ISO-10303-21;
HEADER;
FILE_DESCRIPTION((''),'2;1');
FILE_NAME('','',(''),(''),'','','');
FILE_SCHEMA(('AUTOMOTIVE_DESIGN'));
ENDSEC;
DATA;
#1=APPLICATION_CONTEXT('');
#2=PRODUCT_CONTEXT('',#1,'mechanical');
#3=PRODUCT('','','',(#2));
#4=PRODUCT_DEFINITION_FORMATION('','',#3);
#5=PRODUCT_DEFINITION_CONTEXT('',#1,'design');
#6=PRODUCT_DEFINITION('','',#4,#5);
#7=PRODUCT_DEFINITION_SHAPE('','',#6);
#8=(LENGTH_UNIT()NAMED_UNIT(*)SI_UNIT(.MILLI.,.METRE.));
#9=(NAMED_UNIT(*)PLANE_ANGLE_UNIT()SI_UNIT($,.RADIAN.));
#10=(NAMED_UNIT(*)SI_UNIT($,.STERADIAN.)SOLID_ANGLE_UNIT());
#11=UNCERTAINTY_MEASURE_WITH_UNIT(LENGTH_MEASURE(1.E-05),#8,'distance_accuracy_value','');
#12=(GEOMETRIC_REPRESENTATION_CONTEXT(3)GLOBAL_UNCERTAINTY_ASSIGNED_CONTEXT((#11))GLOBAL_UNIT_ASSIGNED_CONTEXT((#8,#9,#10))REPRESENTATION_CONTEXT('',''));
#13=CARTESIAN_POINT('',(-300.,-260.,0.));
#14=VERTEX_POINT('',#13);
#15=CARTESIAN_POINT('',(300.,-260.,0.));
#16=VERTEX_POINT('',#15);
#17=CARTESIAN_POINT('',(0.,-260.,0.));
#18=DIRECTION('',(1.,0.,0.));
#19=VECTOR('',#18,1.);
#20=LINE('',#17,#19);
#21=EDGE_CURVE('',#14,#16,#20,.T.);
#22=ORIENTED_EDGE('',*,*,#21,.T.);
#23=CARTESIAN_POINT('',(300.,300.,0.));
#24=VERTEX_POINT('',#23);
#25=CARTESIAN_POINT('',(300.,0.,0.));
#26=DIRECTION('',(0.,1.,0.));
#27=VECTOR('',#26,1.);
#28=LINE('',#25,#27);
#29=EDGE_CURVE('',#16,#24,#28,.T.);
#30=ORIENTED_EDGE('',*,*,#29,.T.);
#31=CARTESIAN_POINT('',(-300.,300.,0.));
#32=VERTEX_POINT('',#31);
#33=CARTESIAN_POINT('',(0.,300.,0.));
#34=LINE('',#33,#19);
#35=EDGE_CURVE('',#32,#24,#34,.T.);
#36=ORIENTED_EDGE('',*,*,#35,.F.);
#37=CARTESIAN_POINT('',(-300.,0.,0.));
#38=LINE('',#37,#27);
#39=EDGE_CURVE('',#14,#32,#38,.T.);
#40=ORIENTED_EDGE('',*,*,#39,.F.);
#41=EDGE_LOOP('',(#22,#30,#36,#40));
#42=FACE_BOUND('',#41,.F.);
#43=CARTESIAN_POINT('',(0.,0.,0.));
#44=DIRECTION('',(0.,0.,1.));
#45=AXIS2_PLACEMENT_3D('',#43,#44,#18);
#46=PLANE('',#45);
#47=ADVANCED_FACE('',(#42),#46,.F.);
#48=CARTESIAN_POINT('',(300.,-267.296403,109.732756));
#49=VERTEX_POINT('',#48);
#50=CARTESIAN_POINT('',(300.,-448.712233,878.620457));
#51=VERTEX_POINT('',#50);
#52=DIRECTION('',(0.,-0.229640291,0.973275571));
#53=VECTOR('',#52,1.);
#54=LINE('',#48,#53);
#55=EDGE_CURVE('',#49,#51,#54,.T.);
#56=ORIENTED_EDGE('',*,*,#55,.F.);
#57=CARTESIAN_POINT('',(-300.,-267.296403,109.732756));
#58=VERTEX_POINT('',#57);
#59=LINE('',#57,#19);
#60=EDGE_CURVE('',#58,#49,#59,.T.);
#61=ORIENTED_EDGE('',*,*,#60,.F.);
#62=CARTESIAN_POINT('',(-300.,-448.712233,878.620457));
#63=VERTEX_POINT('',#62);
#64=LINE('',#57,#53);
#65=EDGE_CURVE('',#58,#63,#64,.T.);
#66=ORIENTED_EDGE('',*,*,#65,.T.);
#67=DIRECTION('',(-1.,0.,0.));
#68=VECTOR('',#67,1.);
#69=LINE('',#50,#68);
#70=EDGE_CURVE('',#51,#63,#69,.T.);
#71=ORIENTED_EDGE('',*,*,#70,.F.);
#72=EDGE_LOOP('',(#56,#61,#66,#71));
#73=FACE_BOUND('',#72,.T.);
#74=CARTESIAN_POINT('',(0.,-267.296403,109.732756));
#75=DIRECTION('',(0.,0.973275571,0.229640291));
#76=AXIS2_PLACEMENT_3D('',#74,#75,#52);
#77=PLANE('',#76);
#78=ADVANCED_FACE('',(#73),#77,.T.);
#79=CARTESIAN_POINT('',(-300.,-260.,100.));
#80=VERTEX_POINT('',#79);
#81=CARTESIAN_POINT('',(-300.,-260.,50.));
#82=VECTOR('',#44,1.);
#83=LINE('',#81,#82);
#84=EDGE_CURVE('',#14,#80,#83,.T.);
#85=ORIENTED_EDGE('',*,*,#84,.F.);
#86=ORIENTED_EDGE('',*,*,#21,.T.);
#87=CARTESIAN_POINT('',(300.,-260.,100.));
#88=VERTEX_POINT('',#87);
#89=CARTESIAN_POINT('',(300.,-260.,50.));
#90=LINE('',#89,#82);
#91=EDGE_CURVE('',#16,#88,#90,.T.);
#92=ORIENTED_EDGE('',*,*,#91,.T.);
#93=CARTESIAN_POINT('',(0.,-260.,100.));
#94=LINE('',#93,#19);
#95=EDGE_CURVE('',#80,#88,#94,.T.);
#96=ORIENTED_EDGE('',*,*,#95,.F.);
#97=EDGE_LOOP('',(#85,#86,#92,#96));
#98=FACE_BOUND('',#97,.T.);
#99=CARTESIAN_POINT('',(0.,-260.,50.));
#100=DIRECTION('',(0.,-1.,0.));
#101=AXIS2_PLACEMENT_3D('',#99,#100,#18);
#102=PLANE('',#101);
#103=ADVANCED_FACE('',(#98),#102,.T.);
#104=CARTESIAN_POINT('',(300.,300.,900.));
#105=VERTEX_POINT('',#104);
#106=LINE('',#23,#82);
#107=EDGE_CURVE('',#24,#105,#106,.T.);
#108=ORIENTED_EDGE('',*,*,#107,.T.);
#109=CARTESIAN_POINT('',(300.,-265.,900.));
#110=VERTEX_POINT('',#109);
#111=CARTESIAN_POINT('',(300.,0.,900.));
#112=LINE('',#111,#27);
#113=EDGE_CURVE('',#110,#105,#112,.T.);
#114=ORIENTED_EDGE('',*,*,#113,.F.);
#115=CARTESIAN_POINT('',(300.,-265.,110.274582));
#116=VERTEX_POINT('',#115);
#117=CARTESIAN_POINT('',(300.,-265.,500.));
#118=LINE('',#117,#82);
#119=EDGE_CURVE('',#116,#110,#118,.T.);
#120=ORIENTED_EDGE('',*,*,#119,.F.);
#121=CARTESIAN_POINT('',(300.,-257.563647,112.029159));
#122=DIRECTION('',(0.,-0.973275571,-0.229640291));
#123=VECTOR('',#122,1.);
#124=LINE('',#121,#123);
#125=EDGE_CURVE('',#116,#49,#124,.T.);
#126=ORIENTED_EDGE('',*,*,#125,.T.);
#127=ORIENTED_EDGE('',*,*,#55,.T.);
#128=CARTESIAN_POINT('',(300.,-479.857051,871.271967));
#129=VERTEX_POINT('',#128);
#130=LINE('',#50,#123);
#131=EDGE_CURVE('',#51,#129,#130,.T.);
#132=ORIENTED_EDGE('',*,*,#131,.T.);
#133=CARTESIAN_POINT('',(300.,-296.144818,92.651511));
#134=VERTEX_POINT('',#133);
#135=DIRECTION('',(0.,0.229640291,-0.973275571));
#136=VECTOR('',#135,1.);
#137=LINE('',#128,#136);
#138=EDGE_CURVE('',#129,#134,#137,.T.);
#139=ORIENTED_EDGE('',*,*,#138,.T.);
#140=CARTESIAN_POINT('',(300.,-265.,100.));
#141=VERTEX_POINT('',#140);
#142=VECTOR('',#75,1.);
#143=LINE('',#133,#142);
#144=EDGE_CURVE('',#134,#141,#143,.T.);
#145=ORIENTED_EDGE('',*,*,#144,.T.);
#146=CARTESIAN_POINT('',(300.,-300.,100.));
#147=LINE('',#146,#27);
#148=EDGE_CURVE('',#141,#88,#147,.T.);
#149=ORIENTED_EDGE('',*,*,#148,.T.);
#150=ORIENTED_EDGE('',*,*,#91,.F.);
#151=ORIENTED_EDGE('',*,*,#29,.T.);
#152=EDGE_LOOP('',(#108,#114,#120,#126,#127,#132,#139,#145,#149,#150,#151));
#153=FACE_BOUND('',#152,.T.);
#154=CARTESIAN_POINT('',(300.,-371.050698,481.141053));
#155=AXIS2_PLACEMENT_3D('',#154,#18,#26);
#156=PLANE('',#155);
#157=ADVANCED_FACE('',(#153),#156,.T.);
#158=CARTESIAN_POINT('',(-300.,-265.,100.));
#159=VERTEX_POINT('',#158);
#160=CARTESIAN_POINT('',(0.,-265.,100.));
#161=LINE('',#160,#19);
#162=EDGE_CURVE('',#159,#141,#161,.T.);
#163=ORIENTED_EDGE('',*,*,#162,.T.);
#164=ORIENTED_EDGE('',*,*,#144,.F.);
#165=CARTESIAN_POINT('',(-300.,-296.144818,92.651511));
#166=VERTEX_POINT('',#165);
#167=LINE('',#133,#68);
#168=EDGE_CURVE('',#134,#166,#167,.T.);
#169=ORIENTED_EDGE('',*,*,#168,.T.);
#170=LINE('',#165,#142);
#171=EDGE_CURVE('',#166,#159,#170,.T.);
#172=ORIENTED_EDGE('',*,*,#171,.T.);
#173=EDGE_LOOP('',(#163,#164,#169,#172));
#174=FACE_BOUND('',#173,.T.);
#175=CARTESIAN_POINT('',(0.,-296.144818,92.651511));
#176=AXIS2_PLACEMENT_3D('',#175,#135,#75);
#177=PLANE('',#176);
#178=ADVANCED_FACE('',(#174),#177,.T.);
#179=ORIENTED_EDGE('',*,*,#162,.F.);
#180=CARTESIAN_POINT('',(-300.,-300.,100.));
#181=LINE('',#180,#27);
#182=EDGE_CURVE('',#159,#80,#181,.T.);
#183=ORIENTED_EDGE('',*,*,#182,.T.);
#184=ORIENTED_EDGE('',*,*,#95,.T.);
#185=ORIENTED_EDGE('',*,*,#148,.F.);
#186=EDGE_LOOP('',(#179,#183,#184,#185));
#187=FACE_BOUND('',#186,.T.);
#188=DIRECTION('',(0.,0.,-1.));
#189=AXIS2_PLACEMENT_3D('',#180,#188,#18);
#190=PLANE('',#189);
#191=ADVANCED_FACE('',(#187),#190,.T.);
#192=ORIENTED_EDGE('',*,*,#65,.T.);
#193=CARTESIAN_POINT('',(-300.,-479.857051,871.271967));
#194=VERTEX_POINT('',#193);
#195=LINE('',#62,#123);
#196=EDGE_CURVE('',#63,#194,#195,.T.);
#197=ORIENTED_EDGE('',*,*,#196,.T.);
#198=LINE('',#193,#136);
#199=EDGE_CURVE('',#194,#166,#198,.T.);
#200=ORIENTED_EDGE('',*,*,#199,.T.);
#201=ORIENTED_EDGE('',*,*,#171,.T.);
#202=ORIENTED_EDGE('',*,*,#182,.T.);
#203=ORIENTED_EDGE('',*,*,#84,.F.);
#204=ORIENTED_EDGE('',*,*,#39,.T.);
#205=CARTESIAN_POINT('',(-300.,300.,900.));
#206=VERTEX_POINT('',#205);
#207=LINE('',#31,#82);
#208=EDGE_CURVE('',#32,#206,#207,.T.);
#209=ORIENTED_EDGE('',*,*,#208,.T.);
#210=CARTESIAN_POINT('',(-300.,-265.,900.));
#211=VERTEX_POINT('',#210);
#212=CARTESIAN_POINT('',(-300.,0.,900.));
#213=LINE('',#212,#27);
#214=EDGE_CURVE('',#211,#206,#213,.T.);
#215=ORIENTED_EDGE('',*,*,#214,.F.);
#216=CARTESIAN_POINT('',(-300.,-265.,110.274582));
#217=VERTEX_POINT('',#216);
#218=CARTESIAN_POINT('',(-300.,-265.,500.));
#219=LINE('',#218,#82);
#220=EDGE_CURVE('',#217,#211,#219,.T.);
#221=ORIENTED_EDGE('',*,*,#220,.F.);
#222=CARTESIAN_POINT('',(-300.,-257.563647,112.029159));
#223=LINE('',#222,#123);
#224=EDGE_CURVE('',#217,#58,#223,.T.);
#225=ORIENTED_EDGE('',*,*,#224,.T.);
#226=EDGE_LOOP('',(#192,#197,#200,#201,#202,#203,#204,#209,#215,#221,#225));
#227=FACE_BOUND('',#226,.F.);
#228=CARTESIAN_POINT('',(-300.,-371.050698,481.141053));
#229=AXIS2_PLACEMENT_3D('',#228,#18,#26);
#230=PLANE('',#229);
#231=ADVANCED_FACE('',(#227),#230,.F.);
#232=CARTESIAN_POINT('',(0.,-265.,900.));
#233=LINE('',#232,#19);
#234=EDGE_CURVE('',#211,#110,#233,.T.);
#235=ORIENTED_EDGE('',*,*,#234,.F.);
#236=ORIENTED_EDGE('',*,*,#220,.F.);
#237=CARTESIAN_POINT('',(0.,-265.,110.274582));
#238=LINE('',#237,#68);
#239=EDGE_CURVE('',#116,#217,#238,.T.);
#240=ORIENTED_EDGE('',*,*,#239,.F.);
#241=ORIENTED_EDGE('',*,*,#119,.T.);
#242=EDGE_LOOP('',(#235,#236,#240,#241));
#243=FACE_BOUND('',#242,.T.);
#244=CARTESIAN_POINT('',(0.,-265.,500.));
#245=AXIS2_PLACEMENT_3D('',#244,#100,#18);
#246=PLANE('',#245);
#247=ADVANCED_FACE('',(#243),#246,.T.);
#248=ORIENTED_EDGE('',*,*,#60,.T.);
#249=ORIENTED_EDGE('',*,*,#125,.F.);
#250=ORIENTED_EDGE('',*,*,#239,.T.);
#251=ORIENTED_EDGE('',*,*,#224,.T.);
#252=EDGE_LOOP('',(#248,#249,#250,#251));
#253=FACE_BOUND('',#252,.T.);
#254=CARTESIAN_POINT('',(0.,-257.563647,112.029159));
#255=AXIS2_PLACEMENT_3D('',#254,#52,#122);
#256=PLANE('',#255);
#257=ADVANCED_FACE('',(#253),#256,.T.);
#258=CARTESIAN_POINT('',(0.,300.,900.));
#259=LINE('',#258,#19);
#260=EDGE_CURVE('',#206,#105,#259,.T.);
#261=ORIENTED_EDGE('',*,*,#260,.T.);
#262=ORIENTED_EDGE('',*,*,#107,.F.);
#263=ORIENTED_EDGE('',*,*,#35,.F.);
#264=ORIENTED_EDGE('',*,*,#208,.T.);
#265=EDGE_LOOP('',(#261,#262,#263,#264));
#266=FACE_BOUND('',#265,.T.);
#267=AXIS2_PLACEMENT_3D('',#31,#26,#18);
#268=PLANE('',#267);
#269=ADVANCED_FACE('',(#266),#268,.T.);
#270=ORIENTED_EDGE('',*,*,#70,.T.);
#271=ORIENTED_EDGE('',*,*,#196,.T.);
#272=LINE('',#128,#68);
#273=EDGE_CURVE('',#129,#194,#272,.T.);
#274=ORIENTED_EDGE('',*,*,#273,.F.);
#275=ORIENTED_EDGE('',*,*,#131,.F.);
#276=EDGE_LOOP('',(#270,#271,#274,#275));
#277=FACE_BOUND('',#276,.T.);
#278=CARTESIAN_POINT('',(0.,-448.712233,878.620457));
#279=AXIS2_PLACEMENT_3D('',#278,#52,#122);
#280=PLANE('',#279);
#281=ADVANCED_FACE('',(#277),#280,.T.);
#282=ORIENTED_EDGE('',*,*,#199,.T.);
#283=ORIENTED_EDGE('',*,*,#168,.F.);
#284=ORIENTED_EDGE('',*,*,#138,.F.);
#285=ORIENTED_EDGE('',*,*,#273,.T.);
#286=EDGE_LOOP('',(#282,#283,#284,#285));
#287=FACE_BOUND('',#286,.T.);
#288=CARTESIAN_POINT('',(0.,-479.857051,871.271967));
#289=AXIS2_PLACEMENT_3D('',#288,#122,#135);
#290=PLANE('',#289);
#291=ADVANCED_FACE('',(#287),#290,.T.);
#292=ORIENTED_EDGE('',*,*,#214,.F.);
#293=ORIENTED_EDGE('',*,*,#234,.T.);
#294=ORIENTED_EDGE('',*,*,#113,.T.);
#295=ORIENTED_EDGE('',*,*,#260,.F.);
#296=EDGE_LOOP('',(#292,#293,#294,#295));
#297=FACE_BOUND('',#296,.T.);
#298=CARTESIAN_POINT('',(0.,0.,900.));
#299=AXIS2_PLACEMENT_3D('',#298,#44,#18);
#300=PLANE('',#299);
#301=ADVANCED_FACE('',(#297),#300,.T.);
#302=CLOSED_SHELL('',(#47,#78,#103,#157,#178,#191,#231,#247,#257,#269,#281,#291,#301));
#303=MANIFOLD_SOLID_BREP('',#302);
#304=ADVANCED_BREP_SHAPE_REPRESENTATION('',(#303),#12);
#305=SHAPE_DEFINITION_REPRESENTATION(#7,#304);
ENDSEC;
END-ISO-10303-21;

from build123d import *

# Parameters (mm, degrees)
F0_W     = 600
F0_H     = 600
F1_DEPTH = 900
F2_W     = 600
F2_H     = 100
F3_DEPTH = 40
F4_W     = 600
F4_H     = 800
F5_DEPTH = 35
F7_DEPTH = 300


with BuildPart() as f1:
    # F0 (on Top) → F1 (new body)
    with BuildSketch(Plane.XY):
        Rectangle(F0_W, F0_H)
    extrude(amount=F1_DEPTH)

    # F2 (on face) → F3 (cut)
    with BuildSketch(Plane.XZ.offset(300)):
        with Locations((0, 50)):
            Rectangle(F2_W, F2_H)
    extrude(amount=-F3_DEPTH, mode=Mode.SUBTRACT)

    # F4 (on face) → F5 (cut)
    with BuildSketch(Plane.XZ.offset(300)):
        with Locations((0, 500)):
            Rectangle(F4_W, F4_H)
    extrude(amount=-F5_DEPTH, mode=Mode.SUBTRACT)

    # F6 (on Right) → F7 (join, symmetric)
    with BuildSketch(Plane.YZ):
        Polygon((-296.1448182649, 92.6515106829), (-265, 100), (-255.2672442922, 102.2964029116), (-257.5636472038, 112.0291586194), (-267.2964029116, 109.7327557078), (-448.7122329282, 878.6204566235), (-479.8570511932, 871.2719673063), align=None)
    extrude(amount=F7_DEPTH, both=True)


solid = f1.part
